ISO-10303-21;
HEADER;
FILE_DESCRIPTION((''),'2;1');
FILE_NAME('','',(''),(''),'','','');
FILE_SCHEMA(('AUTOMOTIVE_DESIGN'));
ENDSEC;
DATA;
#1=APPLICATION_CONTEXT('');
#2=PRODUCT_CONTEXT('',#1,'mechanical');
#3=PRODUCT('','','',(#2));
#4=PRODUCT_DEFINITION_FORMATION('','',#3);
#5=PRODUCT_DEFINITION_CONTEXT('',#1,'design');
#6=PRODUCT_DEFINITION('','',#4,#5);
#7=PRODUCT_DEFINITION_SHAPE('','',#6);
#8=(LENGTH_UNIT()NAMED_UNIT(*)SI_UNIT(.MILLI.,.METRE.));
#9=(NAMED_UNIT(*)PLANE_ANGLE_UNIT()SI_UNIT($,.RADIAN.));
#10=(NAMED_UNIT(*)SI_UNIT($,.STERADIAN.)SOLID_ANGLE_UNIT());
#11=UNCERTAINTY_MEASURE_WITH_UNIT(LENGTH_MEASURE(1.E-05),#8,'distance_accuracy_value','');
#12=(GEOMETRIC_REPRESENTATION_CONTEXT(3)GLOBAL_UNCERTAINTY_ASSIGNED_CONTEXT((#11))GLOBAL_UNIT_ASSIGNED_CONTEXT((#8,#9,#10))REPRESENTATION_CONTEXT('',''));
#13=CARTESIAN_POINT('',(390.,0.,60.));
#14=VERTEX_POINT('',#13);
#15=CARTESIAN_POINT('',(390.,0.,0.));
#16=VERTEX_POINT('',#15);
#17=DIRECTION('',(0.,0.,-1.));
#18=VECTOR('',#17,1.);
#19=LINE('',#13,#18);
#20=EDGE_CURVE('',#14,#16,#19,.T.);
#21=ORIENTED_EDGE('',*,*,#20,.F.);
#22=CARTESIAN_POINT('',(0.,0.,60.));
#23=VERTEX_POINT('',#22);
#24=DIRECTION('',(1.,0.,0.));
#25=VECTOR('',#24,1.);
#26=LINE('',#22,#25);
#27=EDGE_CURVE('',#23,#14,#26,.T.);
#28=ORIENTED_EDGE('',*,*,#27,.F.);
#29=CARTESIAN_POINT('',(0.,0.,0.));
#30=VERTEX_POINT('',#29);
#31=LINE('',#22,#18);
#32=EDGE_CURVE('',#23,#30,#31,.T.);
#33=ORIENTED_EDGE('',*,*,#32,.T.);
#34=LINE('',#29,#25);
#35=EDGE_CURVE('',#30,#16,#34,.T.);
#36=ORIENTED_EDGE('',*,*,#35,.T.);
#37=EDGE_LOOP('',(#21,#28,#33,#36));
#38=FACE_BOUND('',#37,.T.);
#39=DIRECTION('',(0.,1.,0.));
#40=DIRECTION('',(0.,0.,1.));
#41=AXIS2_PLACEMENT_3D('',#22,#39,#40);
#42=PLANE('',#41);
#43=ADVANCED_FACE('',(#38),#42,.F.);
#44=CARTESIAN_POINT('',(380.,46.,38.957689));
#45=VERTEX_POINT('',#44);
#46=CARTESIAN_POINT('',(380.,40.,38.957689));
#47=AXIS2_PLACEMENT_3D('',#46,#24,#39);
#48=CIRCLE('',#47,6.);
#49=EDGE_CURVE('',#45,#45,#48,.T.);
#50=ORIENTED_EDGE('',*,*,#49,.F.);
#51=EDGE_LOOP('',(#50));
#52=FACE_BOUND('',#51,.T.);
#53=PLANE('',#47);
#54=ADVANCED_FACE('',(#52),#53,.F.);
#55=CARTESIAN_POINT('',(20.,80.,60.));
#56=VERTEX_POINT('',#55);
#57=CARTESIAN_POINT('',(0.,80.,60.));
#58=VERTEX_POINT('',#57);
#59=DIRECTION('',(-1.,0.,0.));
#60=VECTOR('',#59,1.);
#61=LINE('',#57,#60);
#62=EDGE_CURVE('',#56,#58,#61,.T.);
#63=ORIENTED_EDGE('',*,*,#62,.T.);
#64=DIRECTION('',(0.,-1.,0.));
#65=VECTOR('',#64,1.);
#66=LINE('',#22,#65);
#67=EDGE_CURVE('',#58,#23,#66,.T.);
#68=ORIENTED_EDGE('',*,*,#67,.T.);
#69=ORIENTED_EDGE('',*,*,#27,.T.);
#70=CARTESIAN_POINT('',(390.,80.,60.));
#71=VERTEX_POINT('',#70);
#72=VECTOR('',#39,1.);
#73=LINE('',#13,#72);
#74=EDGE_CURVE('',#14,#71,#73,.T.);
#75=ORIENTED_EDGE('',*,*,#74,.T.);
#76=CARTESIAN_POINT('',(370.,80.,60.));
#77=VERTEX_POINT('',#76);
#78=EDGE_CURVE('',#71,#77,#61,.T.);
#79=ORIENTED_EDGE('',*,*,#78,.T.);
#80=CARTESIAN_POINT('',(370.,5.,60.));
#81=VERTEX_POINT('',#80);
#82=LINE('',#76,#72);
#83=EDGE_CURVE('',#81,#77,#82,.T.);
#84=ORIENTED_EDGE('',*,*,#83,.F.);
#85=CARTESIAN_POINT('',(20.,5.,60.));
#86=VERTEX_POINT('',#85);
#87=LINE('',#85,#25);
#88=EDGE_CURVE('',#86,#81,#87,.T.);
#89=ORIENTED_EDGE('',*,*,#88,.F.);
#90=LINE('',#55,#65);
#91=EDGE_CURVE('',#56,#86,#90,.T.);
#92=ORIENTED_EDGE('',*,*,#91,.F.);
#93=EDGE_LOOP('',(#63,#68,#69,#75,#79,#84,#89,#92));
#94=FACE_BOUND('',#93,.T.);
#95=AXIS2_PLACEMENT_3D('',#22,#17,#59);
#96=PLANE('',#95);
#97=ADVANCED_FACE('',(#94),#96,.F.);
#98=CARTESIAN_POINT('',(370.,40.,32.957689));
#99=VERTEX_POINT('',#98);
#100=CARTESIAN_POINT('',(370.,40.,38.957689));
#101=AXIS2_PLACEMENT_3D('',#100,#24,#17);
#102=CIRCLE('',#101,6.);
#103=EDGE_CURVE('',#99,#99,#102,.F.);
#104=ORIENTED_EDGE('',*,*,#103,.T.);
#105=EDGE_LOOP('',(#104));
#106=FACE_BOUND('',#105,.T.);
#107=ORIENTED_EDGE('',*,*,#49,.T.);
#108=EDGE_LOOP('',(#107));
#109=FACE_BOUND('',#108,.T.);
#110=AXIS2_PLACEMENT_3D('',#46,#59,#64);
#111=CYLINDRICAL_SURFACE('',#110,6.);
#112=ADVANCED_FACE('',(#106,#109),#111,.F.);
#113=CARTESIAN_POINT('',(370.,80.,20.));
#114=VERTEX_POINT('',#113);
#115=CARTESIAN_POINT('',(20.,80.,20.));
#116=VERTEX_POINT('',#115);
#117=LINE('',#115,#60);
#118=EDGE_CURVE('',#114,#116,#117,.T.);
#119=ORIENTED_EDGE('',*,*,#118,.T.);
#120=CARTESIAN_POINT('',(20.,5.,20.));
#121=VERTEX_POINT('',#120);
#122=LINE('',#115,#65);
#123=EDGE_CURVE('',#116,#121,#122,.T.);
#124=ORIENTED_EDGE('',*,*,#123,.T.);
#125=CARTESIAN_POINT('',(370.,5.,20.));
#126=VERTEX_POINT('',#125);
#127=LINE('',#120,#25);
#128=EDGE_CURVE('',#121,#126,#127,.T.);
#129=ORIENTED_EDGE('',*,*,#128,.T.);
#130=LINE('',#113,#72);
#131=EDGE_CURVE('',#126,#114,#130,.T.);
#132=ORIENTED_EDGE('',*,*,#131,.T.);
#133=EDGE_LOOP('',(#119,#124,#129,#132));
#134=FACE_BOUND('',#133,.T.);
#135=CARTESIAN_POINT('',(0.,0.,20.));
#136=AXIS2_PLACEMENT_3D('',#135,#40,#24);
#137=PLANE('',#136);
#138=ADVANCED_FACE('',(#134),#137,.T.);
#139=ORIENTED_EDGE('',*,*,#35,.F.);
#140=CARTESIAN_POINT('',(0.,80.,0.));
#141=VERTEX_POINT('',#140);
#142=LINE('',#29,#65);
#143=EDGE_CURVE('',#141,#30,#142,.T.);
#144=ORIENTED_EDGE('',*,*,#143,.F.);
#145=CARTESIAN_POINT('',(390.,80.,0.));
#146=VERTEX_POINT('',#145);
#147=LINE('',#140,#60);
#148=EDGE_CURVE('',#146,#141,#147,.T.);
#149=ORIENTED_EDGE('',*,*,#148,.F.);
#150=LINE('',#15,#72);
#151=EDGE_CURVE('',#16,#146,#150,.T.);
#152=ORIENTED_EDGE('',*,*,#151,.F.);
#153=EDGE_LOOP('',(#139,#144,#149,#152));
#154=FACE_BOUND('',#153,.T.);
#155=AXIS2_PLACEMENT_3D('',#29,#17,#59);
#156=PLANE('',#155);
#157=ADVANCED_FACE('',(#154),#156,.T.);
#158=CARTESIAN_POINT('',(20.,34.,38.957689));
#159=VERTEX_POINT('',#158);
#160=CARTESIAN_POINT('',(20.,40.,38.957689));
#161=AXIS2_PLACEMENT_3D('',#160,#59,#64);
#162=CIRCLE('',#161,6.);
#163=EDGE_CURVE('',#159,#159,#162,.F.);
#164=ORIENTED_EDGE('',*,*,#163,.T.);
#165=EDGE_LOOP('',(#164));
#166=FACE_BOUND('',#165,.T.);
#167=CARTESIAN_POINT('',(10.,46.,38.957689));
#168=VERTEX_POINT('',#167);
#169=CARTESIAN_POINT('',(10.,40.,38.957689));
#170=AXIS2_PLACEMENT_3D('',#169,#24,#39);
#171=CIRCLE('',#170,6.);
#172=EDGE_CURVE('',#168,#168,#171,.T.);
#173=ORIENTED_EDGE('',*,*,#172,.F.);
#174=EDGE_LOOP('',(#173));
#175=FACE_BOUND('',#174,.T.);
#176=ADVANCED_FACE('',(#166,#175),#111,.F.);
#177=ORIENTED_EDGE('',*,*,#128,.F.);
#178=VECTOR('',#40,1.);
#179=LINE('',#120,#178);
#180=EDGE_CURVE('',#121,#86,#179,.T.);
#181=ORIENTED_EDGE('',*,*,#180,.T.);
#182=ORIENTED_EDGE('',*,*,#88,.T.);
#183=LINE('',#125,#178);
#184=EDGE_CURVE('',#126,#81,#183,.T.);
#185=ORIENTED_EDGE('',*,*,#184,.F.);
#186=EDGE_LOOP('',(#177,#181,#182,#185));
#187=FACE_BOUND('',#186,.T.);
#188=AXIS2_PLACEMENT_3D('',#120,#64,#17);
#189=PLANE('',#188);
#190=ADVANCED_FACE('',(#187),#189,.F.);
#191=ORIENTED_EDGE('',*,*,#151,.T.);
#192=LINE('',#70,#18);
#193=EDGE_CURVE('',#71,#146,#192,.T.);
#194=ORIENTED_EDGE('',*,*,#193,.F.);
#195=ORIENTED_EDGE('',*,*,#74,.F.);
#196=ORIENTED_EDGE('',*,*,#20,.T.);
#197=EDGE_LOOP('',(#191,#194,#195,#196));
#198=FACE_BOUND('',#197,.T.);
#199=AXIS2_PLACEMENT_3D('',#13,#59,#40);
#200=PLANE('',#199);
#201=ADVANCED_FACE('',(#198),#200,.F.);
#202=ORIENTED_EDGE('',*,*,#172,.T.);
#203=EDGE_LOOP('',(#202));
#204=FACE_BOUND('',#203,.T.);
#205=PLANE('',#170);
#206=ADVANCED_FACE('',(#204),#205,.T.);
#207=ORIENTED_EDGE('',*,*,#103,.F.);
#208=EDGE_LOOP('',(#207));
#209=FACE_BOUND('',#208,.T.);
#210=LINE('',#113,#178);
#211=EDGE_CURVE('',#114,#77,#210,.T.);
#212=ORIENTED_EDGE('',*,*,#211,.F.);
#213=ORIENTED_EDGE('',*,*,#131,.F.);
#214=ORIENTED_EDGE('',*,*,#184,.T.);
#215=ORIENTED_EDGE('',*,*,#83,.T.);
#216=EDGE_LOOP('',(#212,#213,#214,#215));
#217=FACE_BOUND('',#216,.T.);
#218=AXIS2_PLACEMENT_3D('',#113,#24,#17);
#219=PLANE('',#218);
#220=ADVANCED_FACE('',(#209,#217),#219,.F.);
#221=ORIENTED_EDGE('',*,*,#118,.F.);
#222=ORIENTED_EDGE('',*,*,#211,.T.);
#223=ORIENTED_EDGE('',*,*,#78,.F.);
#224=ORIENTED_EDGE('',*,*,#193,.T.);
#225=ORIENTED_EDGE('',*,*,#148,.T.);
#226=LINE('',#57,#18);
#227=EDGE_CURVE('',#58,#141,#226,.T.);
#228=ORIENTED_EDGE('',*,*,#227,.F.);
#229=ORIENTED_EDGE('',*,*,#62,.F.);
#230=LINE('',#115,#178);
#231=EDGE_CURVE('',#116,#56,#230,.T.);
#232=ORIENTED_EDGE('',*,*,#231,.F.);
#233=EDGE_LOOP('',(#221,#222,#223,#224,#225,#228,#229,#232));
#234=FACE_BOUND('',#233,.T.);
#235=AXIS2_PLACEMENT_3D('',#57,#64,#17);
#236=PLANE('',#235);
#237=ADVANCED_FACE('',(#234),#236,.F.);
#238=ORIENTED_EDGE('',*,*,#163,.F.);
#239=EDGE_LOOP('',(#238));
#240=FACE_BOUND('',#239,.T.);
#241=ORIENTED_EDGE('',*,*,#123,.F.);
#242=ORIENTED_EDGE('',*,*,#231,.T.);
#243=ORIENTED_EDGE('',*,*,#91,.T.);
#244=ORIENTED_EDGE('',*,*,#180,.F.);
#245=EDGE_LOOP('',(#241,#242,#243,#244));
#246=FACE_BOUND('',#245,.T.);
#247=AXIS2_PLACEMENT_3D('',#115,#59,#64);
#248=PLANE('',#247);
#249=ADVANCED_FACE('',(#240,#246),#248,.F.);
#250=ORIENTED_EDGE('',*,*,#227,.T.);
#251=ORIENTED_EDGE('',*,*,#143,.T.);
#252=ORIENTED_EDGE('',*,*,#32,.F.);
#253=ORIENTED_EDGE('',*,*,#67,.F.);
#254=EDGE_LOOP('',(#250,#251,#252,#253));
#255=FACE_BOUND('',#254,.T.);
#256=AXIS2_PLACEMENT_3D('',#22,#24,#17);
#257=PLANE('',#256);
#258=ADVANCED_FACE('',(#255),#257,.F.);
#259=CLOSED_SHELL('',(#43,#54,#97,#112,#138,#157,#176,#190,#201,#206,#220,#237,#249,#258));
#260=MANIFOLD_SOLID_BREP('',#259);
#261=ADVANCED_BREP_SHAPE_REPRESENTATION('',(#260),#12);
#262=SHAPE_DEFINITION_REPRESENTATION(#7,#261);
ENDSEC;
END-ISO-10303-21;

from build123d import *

# Parameters (mm, degrees)
SKETCH2_W               = 390
SKETCH2_H               = 80
BOSS_EXTRUDE1_DEPTH     = 60
SKETCH4_W               = 350
SKETCH4_H               = 75
CUT_EXTRUDE1_DEPTH      = 40
SKETCH5_R               = 6
CUT_EXTRUDE2_DEPTH      = 360
CUT_EXTRUDE2_DEPTH_BACK = 10


with BuildPart() as part:
    # Sketch2 → Boss-Extrude1 (new body)
    with BuildSketch(Plane.XY):
        with Locations((195, 40)):
            Rectangle(SKETCH2_W, SKETCH2_H)
    extrude(amount=BOSS_EXTRUDE1_DEPTH)

    # Sketch4 → Cut-Extrude1 (cut)
    with BuildSketch(Plane.XY.offset(60)):
        with Locations((195, 42.5)):
            Rectangle(SKETCH4_W, SKETCH4_H)
    extrude(amount=-CUT_EXTRUDE1_DEPTH, mode=Mode.SUBTRACT)

    # Sketch5 → Cut-Extrude2 (cut, two sides)
    with BuildSketch(Plane(origin=(20, 0, 0), x_dir=(0, 0, -1), z_dir=(1, 0, 0))) as cut_extrude2_sk:
        with Locations((-38.957689145, 40)):
            Circle(SKETCH5_R)
    extrude(amount=CUT_EXTRUDE2_DEPTH, mode=Mode.SUBTRACT)
    extrude(cut_extrude2_sk.sketch, amount=-CUT_EXTRUDE2_DEPTH_BACK, mode=Mode.SUBTRACT)


solid = part.part
